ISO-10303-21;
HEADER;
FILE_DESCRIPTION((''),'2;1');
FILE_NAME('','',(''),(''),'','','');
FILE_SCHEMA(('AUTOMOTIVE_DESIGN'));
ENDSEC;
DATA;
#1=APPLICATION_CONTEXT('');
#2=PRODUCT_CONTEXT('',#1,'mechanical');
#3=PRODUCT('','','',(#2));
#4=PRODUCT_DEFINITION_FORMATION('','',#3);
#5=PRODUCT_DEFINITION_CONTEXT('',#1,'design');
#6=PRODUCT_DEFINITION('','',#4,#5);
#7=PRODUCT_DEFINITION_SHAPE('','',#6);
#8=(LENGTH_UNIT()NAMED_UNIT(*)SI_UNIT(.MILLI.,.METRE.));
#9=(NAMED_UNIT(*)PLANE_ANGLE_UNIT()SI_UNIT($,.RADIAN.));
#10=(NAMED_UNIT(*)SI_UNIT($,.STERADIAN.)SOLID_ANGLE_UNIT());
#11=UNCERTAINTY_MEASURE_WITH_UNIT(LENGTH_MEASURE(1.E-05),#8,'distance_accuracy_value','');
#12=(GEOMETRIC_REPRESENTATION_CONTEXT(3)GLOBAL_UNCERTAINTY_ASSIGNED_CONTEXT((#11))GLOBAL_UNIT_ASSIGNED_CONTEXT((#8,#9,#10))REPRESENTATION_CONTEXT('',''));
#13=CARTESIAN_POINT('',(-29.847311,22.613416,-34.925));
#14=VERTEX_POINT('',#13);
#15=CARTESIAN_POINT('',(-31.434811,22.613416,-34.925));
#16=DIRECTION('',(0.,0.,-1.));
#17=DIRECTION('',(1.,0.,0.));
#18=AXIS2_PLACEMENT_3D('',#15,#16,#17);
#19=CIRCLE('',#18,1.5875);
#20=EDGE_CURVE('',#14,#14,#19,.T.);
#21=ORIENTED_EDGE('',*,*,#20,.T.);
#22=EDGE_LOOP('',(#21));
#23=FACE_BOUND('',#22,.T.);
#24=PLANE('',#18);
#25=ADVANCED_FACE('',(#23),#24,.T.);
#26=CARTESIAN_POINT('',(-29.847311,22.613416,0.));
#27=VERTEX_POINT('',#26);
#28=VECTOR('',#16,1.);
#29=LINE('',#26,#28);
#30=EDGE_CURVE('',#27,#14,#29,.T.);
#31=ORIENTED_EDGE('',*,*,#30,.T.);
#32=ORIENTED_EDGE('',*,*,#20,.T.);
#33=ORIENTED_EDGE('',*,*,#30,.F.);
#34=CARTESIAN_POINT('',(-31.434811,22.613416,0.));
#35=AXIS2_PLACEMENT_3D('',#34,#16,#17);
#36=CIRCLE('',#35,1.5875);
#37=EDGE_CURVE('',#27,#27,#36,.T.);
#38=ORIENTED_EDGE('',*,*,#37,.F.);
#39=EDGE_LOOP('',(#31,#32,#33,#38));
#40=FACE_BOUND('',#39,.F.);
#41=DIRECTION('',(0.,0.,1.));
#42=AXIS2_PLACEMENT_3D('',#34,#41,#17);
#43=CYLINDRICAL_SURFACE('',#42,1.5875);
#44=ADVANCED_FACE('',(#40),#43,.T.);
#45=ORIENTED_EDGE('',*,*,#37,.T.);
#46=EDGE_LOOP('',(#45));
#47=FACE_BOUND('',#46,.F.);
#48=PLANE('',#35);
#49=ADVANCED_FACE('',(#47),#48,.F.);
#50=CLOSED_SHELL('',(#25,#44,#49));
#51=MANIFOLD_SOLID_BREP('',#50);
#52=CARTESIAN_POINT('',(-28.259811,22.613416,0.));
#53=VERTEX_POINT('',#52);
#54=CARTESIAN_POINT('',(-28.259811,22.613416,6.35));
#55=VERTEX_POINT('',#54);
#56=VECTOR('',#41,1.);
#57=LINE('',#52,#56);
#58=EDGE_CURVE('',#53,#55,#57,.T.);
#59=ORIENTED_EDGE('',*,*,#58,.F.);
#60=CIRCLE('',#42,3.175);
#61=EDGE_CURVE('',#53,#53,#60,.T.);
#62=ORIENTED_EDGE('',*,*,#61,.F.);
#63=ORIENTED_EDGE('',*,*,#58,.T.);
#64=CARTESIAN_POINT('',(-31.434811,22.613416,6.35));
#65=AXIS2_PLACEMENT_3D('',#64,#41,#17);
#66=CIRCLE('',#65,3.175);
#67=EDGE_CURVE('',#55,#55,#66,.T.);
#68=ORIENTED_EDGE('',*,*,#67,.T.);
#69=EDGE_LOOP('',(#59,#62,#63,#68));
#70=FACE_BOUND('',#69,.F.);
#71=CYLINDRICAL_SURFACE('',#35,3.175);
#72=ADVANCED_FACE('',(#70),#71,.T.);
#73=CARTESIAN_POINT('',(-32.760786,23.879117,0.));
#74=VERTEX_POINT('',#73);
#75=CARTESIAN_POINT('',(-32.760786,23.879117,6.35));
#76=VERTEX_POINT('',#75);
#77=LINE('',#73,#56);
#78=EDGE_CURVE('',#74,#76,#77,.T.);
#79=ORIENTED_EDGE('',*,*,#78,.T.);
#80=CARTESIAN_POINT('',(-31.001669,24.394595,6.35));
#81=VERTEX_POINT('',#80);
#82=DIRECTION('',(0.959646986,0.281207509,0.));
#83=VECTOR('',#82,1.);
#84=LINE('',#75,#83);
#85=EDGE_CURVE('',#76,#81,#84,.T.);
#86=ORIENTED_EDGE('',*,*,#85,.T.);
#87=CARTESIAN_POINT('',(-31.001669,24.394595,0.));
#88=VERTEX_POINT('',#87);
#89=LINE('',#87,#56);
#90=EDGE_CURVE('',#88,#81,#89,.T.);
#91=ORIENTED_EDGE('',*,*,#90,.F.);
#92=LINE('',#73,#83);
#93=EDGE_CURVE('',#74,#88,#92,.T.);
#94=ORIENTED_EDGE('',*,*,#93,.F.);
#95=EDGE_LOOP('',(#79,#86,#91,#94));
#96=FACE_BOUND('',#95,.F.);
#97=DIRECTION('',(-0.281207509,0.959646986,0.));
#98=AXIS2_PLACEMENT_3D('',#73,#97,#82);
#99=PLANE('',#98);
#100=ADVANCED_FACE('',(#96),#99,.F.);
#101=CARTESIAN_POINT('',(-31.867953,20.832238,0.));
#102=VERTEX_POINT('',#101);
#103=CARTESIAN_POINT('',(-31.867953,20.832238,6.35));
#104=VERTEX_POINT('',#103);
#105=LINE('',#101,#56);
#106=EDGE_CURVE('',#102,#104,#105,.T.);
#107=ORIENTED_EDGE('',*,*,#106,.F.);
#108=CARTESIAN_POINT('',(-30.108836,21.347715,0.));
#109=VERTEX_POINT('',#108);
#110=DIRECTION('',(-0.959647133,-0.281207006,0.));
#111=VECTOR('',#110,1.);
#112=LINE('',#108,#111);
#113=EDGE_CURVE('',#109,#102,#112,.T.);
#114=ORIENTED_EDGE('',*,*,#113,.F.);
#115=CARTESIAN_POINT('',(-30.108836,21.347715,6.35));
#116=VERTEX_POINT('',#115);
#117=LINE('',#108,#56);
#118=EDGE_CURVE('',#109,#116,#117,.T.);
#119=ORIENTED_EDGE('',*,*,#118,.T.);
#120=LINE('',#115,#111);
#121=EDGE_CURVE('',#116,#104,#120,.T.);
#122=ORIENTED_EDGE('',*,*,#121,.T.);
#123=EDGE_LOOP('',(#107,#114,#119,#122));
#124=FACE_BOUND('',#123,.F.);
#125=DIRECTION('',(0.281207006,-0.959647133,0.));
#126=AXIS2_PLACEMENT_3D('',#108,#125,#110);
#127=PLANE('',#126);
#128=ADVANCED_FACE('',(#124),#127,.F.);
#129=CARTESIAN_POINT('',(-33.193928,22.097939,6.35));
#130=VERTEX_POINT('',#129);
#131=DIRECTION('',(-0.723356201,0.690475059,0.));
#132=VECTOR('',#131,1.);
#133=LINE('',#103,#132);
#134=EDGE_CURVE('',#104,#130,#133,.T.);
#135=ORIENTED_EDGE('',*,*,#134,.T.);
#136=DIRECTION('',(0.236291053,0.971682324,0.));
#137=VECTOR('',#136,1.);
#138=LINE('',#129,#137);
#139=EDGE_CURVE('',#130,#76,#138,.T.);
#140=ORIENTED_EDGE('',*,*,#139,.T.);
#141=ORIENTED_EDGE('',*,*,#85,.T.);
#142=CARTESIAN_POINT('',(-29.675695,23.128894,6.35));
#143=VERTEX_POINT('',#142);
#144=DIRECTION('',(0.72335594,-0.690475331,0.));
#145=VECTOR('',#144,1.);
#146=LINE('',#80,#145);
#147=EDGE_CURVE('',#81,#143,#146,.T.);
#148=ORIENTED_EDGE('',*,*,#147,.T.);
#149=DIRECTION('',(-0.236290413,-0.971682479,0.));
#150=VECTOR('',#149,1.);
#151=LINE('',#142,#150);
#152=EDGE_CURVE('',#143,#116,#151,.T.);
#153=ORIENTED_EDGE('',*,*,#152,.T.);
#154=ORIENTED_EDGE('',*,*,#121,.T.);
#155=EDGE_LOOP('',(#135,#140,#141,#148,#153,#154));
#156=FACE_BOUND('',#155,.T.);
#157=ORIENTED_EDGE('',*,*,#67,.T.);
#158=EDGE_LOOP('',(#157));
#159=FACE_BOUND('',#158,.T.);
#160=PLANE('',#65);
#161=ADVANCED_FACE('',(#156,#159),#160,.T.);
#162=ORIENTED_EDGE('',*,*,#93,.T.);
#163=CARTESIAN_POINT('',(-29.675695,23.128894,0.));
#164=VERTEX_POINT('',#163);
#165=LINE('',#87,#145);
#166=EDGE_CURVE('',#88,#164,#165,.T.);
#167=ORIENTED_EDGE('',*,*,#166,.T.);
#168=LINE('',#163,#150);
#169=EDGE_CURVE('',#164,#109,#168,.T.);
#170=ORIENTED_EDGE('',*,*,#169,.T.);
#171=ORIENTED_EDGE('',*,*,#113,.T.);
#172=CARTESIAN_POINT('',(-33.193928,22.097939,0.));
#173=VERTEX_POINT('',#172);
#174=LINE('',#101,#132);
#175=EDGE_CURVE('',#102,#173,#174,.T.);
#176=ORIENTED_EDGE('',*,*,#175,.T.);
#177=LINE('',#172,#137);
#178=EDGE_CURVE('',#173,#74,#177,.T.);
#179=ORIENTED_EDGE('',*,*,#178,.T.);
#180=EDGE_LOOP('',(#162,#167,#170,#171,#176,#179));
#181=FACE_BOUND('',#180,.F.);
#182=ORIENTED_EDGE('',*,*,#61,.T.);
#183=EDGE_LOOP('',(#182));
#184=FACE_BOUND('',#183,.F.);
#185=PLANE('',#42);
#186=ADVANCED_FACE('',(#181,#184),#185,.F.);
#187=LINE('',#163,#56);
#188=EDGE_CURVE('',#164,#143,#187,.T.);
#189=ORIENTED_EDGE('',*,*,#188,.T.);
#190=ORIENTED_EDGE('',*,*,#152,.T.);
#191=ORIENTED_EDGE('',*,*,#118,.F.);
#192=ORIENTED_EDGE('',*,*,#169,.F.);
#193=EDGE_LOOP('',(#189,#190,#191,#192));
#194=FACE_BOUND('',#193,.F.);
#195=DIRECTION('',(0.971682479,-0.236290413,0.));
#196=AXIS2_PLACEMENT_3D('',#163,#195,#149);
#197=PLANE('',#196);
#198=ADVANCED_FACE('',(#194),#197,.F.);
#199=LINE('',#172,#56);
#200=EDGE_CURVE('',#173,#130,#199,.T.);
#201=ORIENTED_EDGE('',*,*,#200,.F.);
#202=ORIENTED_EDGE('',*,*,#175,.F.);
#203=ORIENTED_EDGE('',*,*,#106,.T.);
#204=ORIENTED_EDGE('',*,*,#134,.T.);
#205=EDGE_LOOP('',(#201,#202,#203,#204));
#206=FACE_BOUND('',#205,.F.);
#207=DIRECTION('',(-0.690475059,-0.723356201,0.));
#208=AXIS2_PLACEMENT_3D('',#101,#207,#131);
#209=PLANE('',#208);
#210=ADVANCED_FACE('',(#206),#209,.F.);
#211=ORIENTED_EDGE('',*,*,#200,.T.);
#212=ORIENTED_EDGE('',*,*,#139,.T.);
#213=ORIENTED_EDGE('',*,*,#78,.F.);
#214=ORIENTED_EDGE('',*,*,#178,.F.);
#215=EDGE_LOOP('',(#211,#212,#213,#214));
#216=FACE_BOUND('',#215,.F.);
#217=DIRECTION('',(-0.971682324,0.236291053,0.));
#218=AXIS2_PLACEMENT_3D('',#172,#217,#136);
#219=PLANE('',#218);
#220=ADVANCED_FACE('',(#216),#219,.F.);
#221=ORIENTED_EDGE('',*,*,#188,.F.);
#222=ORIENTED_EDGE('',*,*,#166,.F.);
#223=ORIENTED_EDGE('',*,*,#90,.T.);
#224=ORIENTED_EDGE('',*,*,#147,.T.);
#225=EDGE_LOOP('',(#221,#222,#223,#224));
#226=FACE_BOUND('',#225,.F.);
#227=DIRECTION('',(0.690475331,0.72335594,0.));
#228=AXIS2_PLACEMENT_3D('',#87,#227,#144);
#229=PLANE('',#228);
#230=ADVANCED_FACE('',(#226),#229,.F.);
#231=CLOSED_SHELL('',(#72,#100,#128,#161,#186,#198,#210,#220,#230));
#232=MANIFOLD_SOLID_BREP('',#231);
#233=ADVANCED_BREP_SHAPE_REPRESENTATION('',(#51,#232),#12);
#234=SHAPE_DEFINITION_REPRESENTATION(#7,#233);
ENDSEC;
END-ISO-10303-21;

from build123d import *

# Parameters (mm, degrees)
F0_R     = 3.175
F1_DEPTH = 6.35
F2_R     = 1.5875
F3_DEPTH = 34.925


with BuildPart() as f1:
    # F0 (on Top) → F1 (new body)
    with BuildSketch(Plane.XY):
        with Locations((-31.434811, 22.613416)):
            Circle(F0_R)
        Polygon((-33.193928, 22.097939), (-32.760786, 23.879117), (-31.001669, 24.394595), (-29.675695, 23.128894), (-30.108836, 21.347715), (-31.867953, 20.832238), align=None, mode=Mode.SUBTRACT)
    extrude(amount=F1_DEPTH)


with BuildPart() as f3:
    # F2 (on face) → F3 (new body)
    with BuildSketch(Plane(origin=(0, 0, 0), x_dir=(1, 0, 0), z_dir=(0, 0, -1))):
        with Locations((-31.434811, -22.613416)):
            Circle(F2_R)
    extrude(amount=F3_DEPTH)


solid = Compound([f1.part, f3.part])
